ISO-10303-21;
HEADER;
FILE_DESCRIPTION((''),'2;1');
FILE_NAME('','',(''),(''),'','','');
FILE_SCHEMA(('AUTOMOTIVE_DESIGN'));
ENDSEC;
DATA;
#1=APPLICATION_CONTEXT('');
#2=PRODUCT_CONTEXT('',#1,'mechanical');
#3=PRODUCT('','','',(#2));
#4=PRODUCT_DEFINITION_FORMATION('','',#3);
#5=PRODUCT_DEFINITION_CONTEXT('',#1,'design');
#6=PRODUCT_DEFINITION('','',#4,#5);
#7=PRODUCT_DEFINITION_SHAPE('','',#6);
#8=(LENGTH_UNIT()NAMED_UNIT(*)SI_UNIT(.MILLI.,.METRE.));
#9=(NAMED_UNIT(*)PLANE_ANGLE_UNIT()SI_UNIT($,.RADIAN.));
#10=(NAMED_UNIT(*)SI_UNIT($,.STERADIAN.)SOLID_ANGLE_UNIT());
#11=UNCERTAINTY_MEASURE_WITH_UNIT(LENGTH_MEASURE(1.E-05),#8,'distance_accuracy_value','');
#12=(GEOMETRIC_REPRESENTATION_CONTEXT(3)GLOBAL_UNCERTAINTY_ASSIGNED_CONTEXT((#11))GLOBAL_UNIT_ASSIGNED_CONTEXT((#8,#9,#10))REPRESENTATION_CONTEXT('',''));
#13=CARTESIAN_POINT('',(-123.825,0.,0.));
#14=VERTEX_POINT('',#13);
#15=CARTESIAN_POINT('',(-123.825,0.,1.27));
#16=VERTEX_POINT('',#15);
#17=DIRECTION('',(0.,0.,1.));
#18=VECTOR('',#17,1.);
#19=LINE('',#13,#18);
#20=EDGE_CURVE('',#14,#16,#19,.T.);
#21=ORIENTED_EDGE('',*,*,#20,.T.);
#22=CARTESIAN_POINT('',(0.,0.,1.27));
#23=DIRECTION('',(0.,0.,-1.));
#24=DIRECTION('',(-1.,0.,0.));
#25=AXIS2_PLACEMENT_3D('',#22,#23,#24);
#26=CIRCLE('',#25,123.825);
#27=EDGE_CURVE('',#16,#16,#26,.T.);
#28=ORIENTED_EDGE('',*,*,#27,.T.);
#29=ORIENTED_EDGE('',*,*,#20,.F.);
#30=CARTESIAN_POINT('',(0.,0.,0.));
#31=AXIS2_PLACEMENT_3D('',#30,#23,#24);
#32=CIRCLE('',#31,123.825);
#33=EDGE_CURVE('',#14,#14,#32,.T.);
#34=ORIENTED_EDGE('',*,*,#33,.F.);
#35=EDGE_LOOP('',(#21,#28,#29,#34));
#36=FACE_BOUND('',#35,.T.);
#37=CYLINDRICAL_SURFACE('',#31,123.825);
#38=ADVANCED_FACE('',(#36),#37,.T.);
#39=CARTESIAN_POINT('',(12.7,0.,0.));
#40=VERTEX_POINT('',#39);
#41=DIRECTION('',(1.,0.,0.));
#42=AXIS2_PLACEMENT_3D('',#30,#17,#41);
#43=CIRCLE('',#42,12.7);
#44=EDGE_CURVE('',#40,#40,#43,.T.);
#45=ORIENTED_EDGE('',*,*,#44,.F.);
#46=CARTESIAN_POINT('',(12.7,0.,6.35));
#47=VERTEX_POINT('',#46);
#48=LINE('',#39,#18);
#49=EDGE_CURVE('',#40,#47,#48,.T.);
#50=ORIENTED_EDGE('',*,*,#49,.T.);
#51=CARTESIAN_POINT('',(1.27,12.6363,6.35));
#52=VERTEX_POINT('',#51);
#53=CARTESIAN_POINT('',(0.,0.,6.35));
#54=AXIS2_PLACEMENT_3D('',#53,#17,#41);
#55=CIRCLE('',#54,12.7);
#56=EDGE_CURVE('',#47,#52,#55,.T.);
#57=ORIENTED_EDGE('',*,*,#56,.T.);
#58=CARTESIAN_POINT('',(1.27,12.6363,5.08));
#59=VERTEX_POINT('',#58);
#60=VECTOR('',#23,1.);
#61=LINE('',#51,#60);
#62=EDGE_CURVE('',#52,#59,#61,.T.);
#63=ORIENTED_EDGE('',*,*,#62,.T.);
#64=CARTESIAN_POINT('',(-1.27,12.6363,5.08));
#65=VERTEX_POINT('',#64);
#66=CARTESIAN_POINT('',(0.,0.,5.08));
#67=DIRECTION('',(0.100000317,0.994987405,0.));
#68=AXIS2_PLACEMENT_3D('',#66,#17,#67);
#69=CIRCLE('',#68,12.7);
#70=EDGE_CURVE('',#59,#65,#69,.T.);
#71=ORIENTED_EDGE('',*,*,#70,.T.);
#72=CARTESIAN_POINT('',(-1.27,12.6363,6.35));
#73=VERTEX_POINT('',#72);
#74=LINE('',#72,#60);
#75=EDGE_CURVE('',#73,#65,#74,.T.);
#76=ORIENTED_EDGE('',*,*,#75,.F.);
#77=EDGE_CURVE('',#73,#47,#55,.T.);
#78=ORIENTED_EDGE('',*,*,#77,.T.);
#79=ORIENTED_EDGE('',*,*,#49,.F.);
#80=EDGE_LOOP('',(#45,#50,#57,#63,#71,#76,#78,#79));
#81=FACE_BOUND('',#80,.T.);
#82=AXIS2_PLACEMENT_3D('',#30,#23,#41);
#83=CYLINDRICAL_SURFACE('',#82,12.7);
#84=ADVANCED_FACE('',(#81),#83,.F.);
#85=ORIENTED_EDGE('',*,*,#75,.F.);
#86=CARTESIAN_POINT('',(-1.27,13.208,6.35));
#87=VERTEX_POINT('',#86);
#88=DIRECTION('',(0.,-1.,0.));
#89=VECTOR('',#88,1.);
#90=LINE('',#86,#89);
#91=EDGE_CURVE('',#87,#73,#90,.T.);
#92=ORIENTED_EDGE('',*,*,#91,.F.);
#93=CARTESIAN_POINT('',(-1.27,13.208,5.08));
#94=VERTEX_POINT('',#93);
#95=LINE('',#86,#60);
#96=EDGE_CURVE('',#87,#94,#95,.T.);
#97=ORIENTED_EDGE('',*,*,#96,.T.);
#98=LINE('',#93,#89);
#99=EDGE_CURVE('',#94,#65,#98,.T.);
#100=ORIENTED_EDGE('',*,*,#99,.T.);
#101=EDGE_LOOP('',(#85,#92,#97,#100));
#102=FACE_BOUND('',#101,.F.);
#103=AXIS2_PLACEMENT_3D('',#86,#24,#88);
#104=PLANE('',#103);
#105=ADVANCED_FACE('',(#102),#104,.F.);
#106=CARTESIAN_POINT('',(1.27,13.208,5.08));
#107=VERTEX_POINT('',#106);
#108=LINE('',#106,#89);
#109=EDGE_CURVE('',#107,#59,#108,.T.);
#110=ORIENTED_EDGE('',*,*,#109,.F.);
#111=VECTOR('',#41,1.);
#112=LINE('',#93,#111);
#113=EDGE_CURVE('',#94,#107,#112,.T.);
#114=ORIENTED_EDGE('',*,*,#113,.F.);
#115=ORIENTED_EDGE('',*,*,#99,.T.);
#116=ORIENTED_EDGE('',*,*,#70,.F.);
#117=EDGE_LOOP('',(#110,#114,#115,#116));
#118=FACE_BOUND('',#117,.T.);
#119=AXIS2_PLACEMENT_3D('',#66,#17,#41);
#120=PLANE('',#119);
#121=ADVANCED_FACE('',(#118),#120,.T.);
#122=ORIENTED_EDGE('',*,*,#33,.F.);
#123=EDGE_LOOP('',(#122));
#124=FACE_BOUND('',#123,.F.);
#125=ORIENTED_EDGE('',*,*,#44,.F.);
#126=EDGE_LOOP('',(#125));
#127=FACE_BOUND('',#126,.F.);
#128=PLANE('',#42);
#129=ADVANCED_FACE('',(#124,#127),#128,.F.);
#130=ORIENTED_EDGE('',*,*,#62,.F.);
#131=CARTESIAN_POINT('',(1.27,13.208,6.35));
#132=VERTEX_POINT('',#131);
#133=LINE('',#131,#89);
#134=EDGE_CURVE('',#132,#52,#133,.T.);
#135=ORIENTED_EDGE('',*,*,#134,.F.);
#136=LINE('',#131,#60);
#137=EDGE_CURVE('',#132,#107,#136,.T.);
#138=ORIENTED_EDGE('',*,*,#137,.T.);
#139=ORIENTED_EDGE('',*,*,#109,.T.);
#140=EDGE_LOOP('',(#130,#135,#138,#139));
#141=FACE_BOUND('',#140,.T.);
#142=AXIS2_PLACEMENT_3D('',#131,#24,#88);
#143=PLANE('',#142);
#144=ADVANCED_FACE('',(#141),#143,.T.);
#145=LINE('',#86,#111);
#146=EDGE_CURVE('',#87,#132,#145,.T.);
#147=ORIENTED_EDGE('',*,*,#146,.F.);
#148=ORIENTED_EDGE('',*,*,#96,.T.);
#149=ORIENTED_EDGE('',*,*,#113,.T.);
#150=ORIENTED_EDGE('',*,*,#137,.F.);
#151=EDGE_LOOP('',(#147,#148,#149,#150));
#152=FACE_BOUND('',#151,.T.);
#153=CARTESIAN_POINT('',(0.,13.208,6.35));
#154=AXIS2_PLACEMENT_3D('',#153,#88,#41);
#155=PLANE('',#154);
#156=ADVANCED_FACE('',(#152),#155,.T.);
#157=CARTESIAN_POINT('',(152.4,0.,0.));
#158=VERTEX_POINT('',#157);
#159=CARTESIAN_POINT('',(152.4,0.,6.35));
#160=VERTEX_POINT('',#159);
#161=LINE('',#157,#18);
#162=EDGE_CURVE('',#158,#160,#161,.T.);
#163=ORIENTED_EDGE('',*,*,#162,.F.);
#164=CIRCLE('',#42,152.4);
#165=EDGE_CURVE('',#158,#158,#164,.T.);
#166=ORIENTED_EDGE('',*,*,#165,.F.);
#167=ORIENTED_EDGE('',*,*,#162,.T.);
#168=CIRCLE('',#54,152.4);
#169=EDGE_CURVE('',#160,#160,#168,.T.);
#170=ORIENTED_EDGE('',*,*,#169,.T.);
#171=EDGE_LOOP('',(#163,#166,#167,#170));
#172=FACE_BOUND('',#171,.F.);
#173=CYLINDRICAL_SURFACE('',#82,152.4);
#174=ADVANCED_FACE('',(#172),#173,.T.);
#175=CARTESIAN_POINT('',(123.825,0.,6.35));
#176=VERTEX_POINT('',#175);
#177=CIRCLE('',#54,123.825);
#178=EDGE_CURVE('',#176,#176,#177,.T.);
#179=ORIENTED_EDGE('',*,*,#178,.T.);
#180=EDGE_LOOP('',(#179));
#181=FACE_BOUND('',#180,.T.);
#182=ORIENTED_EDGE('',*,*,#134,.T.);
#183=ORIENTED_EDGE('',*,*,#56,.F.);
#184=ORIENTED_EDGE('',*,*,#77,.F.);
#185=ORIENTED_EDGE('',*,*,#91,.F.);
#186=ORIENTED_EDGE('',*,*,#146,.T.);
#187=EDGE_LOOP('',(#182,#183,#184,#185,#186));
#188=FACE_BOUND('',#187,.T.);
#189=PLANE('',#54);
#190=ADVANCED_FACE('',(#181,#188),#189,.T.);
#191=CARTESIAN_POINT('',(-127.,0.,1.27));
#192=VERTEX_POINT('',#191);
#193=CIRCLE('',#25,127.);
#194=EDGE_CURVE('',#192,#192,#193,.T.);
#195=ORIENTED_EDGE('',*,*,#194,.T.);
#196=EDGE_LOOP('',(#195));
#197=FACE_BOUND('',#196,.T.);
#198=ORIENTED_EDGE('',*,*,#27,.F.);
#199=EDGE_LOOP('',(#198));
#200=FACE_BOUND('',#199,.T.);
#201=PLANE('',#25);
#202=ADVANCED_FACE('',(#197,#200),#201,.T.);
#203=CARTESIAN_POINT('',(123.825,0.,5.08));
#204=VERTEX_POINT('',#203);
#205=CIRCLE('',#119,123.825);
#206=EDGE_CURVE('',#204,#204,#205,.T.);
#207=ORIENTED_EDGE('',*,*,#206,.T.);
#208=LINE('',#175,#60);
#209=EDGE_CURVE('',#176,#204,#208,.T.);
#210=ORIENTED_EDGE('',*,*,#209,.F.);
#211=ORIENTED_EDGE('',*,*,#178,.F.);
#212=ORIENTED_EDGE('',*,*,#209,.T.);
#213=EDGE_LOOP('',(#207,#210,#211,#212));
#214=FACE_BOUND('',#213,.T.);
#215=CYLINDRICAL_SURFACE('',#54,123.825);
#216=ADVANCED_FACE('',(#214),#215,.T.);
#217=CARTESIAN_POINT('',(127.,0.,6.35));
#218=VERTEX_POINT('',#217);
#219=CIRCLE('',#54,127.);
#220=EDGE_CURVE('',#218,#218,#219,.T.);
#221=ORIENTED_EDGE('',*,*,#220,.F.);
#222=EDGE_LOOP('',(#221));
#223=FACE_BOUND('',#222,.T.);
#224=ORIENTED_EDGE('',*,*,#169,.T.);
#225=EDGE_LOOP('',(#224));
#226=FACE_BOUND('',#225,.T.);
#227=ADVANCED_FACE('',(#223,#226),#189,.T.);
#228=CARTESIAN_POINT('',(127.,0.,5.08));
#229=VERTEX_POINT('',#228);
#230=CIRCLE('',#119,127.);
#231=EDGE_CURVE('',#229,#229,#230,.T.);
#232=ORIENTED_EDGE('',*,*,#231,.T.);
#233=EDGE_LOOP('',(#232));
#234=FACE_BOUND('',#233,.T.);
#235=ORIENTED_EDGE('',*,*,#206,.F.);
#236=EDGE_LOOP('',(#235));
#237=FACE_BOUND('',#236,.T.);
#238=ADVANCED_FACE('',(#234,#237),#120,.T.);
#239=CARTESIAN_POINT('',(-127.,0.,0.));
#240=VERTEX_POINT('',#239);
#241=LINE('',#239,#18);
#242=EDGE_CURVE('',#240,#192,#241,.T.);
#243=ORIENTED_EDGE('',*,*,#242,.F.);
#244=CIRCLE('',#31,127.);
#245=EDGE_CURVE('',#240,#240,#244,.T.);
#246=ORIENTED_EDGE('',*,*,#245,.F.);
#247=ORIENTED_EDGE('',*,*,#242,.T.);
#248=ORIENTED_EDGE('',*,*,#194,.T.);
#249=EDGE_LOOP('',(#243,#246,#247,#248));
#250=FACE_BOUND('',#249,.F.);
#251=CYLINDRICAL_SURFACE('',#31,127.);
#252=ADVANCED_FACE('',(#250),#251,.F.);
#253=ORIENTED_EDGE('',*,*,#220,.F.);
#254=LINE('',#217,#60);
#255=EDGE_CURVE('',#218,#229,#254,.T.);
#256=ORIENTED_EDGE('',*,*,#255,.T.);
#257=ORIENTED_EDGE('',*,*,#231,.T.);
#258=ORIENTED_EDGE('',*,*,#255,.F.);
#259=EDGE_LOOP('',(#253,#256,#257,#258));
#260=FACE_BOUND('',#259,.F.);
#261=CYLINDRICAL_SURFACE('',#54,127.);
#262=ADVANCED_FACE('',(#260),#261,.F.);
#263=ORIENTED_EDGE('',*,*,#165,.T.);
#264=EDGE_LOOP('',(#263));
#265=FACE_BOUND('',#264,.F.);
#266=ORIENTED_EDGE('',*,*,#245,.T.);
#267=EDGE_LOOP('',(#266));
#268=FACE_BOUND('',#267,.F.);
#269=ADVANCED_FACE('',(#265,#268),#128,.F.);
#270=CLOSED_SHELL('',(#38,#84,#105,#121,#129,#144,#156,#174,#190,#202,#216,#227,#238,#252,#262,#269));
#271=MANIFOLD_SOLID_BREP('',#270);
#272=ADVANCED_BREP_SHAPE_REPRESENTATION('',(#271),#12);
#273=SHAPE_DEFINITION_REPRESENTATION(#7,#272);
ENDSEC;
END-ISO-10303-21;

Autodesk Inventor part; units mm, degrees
ref_plane "YZ Plane" through (0, 0, 0) normal (1, 0, 0) x (0, 1, 0)
ref_plane "XZ Plane" through (0, 0, 0) normal (0, 1, 0) x (-1, 0, 0)
ref_plane "XY Plane" through (0, 0, 0) normal (0, 0, 1) x (1, 0, 0)
sketch "Sketch1" plane through (0, 0, 0) normal (0, 0, 1) x (1, 0, 0)
  circle A0 centre (0, 0) radius 152.4
  circle A1 centre (0, 0) radius 12.7
  dimension "d0" = 304.8
  dimension "d1" = 25.4
extrude "Extrusion1" add sketch "Sketch1" along normal blind 6.35
sketch "Sketch2" plane through (0, 0, 6.35) normal (0, 0, 1) x (1, 0, 0)
  point P0 (0, 0)
sketch "Sketch3" plane through (0, 0, 6.35) normal (0, 0, 1) x (1, 0, 0)
  circle A0 centre (0, 0) radius 127
  circle A1 centre (0, 0) radius 123.825
  dimension "d4" = 254
  dimension "d5" = 247.65
extrude "Extrusion2" cut sketch "Sketch3" against normal blind 1.27
sketch "Sketch4" plane through (0, 0, 0) normal (0, 0, -1) x (-1, 0, 0)
  circle A0 centre (0, 0) radius 152.4
  circle A1 centre (0, 0) radius 127
  circle A2 centre (0, 0) radius 123.825
  dimension "d8" = 254
  dimension "d9" = 247.65
extrude "Extrusion3" cut sketch "Sketch4" against normal blind 1.27 contours A1
sketch "Sketch5" plane through (0, 0, 6.35) normal (0, 0, 1) x (1, 0, 0)
  circle A0 centre (0, 0) radius 12.7 projected
  line L0 (0, 12.7) -> (0, 13.208)
  line L1 (0, 13.208) -> (1.27, 13.208)
  line L2 (0, 13.208) -> (-1.27, 13.208)
  line L3 (-1.27, 13.208) -> (-1.27, 12.2678)
  line L4 (1.27, 13.208) -> (1.27, 12.2294)
  arc A1 (1.27, 12.6363) -> (-1.27, 12.6363) centre (0, 0) ccw
  dimension "d12" = 0.508
  dimension "d15" = 1.27
  dimension "d16" = 1.27
extrude "Extrusion4" cut sketch "Sketch5" against normal blind 1.27 contours A0 L0 L1 L4 | L3 L2 L0 A0
properties part number "PlateCenter"
